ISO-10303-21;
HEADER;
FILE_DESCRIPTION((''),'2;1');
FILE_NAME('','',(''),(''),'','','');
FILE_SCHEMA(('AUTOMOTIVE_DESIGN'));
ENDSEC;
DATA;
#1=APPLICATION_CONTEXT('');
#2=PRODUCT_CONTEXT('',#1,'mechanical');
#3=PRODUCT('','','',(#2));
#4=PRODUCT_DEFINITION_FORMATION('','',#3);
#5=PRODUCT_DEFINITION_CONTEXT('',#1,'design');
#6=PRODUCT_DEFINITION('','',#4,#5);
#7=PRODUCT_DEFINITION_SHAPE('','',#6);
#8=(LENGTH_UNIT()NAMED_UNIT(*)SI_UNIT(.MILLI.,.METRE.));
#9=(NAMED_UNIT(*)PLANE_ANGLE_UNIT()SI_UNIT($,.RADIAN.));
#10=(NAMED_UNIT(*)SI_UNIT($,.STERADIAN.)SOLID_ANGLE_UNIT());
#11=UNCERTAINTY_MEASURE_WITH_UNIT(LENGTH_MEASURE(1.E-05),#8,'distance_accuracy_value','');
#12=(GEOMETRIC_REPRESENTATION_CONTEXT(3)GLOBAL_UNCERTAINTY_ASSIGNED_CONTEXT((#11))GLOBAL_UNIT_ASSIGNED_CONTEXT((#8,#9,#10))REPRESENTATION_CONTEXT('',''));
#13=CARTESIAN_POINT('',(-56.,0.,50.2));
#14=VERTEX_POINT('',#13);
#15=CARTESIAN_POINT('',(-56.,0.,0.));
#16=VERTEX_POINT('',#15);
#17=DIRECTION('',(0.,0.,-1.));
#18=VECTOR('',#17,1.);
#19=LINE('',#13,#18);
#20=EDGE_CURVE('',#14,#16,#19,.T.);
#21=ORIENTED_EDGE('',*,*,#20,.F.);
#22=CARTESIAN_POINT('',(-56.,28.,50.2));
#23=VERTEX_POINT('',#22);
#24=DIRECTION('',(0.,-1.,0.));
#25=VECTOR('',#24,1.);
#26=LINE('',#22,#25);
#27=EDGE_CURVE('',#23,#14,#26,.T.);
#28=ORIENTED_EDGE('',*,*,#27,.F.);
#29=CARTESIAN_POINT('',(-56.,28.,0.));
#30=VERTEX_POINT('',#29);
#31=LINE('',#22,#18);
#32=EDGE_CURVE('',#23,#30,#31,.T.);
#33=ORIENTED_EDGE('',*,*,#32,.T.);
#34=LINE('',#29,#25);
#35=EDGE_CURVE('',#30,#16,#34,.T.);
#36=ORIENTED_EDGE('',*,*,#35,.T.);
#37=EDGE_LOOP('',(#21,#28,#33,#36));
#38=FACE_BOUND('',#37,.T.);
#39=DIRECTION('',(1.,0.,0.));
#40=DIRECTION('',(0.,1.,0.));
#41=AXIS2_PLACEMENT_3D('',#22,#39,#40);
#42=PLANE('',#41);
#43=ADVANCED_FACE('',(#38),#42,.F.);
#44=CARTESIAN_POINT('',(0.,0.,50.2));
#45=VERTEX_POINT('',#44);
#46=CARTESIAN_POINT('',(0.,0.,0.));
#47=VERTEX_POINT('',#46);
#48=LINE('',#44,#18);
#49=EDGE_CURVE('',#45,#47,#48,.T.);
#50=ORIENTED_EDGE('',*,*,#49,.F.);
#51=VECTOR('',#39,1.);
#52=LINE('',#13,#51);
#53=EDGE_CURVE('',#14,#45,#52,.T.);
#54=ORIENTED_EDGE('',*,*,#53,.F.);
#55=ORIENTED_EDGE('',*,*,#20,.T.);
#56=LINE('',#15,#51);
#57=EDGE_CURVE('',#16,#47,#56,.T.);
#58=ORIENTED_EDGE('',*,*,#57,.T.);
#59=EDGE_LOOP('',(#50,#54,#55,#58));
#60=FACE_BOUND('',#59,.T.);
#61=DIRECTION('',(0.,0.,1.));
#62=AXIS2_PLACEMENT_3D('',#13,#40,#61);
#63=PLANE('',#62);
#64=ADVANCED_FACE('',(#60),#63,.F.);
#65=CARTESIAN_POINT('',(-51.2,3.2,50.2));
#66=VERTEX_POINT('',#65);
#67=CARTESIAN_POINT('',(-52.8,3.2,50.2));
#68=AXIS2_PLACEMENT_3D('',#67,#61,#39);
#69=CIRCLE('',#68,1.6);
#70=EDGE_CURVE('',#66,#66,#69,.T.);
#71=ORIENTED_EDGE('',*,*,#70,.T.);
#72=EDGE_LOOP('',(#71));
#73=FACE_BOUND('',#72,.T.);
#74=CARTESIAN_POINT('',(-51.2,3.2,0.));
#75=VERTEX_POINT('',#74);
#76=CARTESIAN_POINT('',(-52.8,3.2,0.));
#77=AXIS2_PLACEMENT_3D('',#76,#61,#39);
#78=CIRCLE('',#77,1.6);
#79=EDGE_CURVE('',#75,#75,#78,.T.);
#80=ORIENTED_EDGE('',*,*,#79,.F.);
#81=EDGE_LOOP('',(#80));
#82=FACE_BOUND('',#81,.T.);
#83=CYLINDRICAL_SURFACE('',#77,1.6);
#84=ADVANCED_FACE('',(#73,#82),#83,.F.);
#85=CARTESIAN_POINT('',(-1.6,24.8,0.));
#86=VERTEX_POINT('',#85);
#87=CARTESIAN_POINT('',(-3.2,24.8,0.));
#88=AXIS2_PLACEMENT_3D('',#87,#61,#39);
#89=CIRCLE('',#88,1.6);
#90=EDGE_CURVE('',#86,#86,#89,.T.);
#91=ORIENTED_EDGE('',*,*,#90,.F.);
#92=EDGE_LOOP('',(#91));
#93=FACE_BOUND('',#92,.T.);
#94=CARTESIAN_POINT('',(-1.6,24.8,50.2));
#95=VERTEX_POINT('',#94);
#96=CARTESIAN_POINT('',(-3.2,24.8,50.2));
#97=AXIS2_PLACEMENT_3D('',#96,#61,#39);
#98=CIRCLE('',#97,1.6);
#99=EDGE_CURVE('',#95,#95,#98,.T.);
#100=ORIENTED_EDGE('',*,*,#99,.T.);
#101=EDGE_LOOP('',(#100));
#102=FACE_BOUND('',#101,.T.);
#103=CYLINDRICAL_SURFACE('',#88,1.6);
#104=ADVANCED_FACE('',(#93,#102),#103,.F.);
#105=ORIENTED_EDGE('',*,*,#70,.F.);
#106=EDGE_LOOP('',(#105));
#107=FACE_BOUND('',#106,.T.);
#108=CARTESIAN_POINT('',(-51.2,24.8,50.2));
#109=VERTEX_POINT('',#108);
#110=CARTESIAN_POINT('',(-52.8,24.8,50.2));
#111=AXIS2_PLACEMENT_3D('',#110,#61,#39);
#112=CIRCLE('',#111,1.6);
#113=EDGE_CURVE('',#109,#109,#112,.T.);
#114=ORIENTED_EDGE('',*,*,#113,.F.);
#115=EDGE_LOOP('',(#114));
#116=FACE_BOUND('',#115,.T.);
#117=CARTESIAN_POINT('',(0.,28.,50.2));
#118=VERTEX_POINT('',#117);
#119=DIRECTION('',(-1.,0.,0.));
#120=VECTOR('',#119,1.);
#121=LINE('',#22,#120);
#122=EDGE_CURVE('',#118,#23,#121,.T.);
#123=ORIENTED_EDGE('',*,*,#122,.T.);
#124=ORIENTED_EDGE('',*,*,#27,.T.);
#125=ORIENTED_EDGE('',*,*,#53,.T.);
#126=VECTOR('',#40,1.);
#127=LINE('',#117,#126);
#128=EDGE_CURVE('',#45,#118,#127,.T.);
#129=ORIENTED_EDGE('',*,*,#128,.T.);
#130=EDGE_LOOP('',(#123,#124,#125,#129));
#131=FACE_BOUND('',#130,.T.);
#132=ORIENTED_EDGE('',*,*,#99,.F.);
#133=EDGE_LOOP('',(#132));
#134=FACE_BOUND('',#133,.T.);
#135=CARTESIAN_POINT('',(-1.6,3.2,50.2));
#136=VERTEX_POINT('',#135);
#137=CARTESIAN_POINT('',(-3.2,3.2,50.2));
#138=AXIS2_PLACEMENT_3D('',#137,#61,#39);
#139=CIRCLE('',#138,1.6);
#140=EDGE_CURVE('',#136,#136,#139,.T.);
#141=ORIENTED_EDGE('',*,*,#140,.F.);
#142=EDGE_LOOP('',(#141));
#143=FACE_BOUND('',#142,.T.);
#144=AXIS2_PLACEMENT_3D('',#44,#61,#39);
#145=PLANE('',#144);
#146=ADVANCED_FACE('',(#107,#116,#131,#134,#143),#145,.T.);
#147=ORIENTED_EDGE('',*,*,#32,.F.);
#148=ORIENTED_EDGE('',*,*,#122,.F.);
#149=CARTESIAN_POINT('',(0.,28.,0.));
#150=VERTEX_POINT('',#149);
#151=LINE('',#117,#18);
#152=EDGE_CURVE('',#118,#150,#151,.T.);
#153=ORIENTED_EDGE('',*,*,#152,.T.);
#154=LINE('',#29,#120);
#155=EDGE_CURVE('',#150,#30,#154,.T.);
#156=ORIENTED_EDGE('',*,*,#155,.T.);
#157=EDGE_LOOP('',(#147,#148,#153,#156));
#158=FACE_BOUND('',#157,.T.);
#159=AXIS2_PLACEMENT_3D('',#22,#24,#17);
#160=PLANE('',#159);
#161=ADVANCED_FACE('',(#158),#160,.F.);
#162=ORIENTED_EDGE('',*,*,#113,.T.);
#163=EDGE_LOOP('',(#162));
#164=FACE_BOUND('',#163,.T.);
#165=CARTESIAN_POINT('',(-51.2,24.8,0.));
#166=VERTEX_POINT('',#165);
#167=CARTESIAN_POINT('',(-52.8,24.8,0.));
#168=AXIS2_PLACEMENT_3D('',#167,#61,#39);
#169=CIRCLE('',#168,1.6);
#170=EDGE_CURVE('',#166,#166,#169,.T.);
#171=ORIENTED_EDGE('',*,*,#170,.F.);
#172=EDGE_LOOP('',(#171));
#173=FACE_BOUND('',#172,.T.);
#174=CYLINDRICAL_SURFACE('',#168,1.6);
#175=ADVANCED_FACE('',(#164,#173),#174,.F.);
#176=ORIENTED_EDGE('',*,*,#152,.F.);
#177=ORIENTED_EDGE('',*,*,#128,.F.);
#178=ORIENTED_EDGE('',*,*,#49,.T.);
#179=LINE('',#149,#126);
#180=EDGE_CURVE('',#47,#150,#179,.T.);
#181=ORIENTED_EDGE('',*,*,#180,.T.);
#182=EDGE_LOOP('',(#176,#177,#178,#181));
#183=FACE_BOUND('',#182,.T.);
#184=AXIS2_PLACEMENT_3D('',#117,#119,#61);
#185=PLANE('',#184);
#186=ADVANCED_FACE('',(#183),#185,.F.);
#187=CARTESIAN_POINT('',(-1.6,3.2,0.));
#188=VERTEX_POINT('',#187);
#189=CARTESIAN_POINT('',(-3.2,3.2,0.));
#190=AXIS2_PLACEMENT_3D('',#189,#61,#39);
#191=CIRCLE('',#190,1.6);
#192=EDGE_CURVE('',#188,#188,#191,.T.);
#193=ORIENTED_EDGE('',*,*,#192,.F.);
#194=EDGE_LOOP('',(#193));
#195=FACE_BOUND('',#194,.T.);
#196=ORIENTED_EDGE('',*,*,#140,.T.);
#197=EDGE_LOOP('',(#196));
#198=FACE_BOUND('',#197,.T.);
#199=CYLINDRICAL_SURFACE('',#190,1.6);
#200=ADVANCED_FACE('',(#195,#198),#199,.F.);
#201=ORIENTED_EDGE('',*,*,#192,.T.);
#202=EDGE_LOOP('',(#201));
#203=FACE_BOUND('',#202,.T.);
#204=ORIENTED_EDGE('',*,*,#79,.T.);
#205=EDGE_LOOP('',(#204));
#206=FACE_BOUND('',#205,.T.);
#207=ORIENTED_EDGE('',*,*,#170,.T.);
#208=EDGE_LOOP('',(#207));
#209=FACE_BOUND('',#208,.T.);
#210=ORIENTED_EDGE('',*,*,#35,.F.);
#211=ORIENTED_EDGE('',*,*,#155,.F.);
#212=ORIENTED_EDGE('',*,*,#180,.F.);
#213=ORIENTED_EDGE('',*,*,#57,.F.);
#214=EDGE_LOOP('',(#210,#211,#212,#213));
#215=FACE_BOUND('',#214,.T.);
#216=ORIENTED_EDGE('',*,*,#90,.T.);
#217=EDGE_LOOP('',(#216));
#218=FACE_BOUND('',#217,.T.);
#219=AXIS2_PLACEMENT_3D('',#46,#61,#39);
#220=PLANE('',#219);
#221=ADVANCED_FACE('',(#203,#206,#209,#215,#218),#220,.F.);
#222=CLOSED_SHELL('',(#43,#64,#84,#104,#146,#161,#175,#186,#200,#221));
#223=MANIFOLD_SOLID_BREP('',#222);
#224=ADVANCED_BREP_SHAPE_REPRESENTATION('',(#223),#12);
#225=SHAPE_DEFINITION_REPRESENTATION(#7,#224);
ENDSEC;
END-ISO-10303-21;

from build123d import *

# Parameters (mm, degrees)
SKETCH_2_W          = 56
SKETCH_2_H          = 28
EXTRUDE_1_DEPTH     = 50.2
SKETCH_4_R          = 1.6
CUT_EXTRUDE_1_DEPTH = 50.2


with BuildPart() as part:
    # 草图2 → 凸台-拉伸1 (new body)
    with BuildSketch(Plane.XY):
        with Locations((-28, 14)):
            Rectangle(SKETCH_2_W, SKETCH_2_H)
    extrude(amount=EXTRUDE_1_DEPTH)

    # 草图4 → 切除-拉伸1 (cut)
    with BuildSketch(Plane.XY.offset(50.2)):
        with Locations((-52.8, 24.8)):
            Circle(SKETCH_4_R)
        with Locations((-3.2, 3.2)):
            Circle(SKETCH_4_R)
        with Locations((-52.8, 3.2)):
            Circle(SKETCH_4_R)
        with Locations((-3.2, 24.8)):
            Circle(SKETCH_4_R)
    extrude(amount=-CUT_EXTRUDE_1_DEPTH, mode=Mode.SUBTRACT)


solid = part.part
